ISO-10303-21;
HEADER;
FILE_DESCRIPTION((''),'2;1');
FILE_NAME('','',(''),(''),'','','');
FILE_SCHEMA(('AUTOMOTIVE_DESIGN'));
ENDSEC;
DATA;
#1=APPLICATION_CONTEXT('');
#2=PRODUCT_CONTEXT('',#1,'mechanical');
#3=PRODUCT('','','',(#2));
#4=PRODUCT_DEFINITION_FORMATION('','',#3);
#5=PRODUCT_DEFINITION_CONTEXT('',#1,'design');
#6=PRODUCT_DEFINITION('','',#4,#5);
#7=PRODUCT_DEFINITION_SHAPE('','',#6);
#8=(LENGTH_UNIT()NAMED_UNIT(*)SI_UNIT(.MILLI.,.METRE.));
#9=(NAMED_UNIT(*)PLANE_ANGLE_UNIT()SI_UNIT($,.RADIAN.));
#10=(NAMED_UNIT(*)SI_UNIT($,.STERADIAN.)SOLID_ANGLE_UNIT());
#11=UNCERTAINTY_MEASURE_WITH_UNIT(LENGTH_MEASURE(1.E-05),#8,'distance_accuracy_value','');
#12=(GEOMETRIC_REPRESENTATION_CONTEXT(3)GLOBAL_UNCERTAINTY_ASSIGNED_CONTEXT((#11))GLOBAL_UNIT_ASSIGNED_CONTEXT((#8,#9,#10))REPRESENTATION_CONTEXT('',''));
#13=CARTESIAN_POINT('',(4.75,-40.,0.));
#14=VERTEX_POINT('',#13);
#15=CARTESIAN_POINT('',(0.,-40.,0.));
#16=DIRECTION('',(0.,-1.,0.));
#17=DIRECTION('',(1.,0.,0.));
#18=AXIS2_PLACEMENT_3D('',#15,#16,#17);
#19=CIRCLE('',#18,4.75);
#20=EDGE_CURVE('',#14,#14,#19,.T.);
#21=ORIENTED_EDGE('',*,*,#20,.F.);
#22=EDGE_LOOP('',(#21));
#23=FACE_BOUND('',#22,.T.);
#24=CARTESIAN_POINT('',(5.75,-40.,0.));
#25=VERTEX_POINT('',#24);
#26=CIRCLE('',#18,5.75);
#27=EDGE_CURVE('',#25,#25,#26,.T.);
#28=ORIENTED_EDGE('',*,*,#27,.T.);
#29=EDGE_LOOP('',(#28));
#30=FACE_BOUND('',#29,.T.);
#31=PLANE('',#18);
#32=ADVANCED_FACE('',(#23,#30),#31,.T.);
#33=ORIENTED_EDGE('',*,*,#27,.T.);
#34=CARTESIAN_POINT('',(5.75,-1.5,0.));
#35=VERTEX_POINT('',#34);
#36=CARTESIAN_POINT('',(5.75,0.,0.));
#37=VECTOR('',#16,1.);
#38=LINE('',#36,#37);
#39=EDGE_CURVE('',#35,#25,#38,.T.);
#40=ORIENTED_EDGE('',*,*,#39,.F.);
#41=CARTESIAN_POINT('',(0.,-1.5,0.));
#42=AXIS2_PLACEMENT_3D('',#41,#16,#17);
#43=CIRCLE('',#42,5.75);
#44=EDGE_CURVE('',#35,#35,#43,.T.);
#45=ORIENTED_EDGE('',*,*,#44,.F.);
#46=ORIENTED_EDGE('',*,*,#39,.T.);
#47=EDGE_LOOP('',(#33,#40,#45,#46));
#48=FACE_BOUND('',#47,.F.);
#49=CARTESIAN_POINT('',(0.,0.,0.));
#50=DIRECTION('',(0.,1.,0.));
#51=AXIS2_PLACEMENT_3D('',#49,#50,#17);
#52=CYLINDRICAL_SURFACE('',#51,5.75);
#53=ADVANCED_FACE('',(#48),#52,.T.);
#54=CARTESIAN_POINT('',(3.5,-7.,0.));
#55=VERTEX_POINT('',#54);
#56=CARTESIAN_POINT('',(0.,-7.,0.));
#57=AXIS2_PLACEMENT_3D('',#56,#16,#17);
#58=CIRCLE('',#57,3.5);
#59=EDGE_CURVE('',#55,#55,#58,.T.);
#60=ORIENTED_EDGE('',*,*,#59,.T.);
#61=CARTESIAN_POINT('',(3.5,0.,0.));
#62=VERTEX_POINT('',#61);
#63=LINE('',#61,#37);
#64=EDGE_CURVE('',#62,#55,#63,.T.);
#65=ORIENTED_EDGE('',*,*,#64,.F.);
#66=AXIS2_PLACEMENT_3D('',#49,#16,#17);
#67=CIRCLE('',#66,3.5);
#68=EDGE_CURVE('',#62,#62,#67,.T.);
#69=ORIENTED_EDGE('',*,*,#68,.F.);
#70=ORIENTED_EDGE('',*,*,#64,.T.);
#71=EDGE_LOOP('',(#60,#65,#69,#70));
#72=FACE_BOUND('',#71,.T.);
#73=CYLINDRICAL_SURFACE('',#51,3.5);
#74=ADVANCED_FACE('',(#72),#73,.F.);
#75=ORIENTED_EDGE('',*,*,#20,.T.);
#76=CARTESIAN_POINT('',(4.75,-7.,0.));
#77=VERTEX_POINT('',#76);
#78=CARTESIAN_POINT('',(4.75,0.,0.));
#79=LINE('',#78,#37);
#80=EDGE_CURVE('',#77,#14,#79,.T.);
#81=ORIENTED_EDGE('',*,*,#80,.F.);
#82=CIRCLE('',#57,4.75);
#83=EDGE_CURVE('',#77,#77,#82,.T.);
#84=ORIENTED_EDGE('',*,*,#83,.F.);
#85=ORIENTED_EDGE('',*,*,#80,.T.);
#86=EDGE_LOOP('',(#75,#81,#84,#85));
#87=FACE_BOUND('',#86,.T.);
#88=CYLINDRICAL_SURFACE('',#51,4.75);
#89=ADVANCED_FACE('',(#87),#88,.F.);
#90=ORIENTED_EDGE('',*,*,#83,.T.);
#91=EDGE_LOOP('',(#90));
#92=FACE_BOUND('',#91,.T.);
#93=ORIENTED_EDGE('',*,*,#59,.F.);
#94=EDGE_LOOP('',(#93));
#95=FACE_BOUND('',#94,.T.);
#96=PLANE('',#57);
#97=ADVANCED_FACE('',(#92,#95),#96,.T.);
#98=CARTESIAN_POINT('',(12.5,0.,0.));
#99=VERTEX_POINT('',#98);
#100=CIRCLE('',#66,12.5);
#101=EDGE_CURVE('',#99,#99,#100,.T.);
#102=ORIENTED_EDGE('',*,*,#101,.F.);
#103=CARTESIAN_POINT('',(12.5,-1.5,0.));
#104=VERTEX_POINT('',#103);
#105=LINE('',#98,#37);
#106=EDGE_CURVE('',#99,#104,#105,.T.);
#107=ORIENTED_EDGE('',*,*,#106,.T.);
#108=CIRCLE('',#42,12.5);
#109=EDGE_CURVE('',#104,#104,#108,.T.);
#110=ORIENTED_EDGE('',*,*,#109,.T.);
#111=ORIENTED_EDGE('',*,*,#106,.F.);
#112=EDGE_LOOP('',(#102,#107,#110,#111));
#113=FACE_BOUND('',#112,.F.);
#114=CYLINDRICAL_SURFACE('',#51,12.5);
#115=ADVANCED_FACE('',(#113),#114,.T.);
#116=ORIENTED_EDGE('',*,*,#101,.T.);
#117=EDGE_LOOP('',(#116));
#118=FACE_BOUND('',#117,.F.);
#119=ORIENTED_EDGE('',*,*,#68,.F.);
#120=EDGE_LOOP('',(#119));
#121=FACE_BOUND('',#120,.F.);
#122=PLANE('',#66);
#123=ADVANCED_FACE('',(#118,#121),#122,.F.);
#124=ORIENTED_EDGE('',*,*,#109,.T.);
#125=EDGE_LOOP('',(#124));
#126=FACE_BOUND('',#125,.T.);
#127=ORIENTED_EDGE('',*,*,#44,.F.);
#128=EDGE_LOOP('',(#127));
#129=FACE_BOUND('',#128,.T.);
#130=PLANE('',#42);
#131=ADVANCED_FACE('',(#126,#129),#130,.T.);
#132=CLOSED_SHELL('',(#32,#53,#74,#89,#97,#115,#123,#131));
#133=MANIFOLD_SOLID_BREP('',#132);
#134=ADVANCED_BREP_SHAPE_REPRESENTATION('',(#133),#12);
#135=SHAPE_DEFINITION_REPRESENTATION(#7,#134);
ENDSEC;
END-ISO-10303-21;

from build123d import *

# Parameters (mm, degrees)
F0_R     = 5.75
F0_R_2   = 4.75
F0_R_3   = 12.5
F1_DEPTH = 1.5
F2_DEPTH = 40
F0_R_4   = 3.5
F3_DEPTH = 7


with BuildPart() as f1:
    # F0 (on Front) → F1 (new body)
    with BuildSketch(Plane.XZ):
        Circle(F0_R)
        Circle(F0_R_2, mode=Mode.SUBTRACT)
        Circle(F0_R_3)
        Circle(F0_R, mode=Mode.SUBTRACT)
    extrude(amount=F1_DEPTH)

    # F0 (on Front) → F2 (join)
    with BuildSketch(Plane.XZ):
        Circle(F0_R)
        Circle(F0_R_2, mode=Mode.SUBTRACT)
    extrude(amount=F2_DEPTH)

    # F0 (on Front) → F3 (join)
    with BuildSketch(Plane.XZ):
        Circle(F0_R_2)
        Circle(F0_R_4, mode=Mode.SUBTRACT)
    extrude(amount=F3_DEPTH)


solid = f1.part
